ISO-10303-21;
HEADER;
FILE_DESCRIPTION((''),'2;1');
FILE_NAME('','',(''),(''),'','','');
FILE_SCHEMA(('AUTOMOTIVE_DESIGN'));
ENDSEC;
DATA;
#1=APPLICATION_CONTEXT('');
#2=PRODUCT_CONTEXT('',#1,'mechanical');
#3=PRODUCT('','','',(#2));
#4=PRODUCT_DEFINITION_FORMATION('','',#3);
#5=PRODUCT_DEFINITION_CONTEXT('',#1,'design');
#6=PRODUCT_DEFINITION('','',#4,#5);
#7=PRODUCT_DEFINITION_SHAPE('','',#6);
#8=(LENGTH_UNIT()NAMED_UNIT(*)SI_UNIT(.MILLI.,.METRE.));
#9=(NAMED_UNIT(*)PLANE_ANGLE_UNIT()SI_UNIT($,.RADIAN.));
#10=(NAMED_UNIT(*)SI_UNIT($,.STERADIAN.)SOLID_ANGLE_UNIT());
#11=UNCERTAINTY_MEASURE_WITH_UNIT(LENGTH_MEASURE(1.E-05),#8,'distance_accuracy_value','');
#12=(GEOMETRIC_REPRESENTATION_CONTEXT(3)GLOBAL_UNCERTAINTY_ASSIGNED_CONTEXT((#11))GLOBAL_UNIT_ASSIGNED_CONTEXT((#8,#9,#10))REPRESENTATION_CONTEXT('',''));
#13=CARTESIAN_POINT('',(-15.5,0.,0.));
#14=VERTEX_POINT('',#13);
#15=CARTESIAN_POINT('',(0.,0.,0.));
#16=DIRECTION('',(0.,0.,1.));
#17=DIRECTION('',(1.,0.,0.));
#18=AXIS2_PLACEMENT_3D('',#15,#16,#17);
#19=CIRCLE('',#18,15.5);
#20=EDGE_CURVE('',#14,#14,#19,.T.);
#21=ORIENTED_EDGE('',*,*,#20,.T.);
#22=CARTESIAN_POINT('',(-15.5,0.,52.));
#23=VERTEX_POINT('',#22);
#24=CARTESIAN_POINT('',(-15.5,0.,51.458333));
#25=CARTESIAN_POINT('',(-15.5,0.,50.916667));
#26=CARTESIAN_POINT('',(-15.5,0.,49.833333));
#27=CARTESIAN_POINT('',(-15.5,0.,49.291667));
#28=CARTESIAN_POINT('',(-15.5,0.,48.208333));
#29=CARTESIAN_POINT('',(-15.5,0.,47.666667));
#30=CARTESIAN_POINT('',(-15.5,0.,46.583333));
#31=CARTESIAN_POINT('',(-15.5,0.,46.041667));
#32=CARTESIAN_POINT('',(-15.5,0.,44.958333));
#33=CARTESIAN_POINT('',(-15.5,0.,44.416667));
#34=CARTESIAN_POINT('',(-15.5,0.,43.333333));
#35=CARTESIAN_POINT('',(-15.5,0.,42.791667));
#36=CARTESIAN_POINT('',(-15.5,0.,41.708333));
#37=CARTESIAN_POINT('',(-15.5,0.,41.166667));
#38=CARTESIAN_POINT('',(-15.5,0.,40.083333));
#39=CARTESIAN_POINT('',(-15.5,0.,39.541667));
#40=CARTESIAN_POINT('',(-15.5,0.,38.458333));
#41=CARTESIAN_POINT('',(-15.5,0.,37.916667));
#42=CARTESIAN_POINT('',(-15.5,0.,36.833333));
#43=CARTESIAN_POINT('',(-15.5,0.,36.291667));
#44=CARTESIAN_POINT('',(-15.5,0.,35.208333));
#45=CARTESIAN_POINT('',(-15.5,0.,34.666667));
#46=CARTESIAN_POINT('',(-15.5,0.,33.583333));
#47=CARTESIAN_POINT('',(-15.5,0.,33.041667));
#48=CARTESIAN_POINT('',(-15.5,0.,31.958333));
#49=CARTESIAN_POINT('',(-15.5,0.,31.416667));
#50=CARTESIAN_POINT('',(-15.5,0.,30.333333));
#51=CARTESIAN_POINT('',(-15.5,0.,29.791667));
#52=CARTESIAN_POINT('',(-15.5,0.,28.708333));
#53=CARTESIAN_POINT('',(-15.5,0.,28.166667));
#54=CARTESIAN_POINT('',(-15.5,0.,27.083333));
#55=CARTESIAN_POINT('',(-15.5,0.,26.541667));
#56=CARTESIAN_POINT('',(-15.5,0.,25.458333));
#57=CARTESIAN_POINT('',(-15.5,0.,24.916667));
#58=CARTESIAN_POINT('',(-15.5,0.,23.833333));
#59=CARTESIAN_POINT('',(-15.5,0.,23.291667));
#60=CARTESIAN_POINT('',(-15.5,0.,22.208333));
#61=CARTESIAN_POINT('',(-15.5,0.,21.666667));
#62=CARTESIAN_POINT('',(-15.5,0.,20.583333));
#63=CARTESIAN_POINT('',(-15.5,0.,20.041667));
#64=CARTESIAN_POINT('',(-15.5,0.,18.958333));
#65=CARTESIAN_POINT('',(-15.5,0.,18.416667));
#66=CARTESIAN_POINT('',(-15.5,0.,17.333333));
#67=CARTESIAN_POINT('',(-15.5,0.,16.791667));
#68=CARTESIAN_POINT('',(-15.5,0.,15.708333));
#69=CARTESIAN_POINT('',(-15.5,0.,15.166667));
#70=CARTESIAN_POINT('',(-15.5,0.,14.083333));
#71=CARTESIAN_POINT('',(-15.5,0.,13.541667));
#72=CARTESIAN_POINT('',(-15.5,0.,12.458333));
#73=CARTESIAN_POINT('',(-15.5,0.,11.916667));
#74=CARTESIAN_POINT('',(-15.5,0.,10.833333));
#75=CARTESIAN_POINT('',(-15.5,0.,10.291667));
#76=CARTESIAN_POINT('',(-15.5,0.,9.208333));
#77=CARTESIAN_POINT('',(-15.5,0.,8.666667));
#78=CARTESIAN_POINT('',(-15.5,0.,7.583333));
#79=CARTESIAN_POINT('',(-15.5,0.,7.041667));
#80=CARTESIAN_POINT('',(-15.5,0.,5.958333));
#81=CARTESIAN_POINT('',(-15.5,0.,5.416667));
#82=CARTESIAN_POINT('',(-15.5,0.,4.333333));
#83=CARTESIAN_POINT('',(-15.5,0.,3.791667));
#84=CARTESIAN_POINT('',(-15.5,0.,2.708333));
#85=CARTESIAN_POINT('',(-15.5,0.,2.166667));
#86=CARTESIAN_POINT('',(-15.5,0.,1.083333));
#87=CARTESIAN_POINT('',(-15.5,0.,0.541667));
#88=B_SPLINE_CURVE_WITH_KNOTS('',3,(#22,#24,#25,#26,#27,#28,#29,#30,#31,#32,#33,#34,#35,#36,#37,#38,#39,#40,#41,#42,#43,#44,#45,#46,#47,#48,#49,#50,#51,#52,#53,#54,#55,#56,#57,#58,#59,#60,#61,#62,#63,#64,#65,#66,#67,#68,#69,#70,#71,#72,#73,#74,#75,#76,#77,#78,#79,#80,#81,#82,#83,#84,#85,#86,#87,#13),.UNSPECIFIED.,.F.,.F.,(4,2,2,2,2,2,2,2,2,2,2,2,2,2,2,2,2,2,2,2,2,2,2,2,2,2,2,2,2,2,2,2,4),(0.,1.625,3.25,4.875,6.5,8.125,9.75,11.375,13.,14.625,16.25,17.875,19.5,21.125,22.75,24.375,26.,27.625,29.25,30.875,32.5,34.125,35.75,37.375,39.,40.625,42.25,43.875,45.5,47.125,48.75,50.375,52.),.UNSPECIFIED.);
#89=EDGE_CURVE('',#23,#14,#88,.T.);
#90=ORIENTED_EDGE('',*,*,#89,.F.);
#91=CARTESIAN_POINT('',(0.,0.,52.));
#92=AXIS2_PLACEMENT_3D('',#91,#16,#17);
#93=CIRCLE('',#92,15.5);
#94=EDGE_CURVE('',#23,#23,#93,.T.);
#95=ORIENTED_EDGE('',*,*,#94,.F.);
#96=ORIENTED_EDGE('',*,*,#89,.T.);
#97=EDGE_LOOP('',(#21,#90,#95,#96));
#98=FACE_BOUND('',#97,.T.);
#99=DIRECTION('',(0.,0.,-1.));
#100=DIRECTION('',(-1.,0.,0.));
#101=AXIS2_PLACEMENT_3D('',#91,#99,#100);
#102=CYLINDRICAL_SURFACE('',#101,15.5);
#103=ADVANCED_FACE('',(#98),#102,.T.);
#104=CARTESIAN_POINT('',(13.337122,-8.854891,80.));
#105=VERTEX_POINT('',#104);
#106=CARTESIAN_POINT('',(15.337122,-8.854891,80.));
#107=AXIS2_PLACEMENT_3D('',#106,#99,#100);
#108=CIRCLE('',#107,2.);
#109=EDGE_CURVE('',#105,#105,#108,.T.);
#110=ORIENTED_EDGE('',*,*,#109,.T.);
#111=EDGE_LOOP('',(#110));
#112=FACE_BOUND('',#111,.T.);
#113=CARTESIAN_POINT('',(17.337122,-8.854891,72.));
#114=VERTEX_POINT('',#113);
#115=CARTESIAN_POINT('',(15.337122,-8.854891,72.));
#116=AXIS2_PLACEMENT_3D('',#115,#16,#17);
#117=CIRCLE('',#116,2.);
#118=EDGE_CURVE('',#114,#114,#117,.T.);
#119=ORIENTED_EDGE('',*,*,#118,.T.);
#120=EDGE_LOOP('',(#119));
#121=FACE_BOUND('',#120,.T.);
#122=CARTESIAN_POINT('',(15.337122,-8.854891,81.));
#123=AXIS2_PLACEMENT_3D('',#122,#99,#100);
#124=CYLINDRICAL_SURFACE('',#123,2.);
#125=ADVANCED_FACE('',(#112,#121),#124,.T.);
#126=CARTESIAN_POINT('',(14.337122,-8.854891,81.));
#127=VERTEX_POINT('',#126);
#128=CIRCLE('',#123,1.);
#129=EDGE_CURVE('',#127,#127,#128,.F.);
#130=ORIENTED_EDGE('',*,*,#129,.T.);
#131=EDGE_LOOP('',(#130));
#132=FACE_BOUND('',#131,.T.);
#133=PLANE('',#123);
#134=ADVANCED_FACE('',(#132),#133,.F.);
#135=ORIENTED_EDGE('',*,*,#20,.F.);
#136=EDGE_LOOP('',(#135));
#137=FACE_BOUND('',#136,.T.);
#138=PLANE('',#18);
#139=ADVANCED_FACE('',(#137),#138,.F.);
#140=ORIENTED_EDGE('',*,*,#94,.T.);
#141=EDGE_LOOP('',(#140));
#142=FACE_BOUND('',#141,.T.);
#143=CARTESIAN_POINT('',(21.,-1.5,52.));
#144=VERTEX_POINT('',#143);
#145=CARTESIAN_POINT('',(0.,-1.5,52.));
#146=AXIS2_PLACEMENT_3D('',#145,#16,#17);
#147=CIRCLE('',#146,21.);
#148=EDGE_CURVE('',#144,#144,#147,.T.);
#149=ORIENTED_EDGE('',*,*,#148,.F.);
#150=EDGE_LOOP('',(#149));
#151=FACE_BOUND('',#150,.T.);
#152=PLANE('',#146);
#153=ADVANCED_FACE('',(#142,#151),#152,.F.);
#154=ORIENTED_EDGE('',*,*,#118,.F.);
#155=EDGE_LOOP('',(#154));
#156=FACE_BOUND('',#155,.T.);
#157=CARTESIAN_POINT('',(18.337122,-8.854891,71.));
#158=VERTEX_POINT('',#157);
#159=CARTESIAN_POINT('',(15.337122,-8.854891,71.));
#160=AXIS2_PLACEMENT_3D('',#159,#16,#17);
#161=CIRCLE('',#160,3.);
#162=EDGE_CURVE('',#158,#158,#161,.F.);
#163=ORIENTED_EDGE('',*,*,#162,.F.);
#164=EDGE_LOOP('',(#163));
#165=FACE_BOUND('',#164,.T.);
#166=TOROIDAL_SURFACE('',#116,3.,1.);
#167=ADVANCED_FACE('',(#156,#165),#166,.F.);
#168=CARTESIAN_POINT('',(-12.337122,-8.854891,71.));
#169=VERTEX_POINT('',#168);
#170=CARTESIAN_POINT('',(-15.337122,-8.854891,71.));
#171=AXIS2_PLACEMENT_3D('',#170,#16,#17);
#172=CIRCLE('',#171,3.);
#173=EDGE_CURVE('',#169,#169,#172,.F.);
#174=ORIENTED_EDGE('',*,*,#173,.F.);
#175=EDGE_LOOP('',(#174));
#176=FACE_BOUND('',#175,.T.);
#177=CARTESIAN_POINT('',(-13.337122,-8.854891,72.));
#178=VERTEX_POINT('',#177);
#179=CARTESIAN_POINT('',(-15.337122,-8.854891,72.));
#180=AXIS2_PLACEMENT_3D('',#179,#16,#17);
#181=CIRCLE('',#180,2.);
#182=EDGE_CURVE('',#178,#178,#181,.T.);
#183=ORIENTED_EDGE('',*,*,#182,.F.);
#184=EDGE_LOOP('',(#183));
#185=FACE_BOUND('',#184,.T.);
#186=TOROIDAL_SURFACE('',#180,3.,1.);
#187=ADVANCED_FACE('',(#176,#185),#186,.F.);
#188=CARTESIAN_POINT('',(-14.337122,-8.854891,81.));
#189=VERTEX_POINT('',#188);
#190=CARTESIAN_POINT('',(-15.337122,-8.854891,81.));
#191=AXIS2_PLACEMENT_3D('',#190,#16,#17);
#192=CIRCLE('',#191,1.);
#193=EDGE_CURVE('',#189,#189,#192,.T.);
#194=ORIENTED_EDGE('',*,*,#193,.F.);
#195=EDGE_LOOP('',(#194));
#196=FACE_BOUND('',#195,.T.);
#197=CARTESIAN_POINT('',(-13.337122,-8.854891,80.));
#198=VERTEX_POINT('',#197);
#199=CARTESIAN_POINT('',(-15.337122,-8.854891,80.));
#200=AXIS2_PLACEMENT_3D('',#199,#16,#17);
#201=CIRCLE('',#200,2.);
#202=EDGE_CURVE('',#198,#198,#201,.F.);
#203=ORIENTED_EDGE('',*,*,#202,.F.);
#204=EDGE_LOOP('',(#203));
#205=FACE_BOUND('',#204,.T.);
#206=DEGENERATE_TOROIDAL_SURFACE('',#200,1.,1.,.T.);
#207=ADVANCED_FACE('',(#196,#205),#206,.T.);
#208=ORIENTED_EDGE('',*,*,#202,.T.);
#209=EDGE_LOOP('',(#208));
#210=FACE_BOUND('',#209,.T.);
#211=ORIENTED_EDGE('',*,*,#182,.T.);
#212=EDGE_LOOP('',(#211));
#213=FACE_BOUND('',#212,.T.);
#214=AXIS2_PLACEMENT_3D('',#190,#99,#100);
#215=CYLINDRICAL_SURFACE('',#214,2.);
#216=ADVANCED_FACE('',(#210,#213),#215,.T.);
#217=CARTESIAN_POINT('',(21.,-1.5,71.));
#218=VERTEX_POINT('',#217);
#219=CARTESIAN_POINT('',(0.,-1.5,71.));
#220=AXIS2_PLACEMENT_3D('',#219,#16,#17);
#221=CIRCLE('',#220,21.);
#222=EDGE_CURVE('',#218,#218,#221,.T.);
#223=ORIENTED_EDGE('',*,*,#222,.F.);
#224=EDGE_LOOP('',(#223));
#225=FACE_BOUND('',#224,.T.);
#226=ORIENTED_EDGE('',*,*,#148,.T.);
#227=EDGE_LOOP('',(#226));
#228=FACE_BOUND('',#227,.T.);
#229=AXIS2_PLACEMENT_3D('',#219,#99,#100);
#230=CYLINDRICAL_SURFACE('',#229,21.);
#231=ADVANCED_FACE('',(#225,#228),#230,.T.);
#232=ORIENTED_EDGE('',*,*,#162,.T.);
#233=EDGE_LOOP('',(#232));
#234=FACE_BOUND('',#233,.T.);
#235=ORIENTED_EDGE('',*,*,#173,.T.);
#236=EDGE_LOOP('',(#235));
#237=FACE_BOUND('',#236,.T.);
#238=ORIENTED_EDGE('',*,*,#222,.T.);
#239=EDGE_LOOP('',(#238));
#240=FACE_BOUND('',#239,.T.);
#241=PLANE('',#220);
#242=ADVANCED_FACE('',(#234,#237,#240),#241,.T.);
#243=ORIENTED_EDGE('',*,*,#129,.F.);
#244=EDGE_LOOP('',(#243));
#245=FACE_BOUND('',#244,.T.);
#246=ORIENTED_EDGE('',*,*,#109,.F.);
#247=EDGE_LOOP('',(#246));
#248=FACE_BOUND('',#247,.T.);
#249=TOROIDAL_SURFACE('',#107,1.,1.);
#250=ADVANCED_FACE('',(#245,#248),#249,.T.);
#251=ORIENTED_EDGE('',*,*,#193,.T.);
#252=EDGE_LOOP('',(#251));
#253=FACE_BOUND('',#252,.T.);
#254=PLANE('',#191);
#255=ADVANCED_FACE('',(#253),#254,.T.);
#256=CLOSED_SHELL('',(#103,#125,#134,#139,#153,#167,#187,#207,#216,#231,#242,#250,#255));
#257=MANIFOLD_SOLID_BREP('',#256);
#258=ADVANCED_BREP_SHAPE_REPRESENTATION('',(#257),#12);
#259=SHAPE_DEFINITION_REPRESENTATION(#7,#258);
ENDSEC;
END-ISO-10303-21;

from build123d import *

# Parameters (mm, degrees)
SKETCH1_R           = 15.5
BOSS_EXTRUDE1_DEPTH = 52
SKETCH2_R           = 21
BOSS_EXTRUDE2_DEPTH = 19
SKETCH3_R           = 2
BOSS_EXTRUDE3_DEPTH = 10
FILLET1_R           = 1


with BuildPart() as part:
    # Sketch1 → Boss-Extrude1 (new body)
    with BuildSketch(Plane.XY):
        with Locations(Location((0, 0, 0), (0, 0, 180))):
            Circle(SKETCH1_R)
    extrude(amount=BOSS_EXTRUDE1_DEPTH)

    # Sketch2 → Boss-Extrude2 (add)
    with BuildSketch(Plane.XY.offset(52)):
        with Locations((0, -1.5)):
            Circle(SKETCH2_R)
    extrude(amount=BOSS_EXTRUDE2_DEPTH)

    # Sketch3 → Boss-Extrude3 (add)
    with BuildSketch(Plane.XY.offset(71)):
        with Locations((-15.337121903, -8.854891459)):
            Circle(SKETCH3_R)
        with Locations(Location((15.337121903, -8.854891459, 0), (0, 0, 180))):
            Circle(SKETCH3_R)
    extrude(amount=BOSS_EXTRUDE3_DEPTH)

    # Fillet1
    fillet1_edges = [part.edges().sort_by_distance(p)[0] for p in [
        (-17.337121903, -8.854891459, 71),
        (-17.337121903, -8.854891459, 81),
        (17.337121903, -8.854891459, 71),
        (17.337121903, -8.854891459, 81),
    ]]
    fillet(fillet1_edges, radius=FILLET1_R)


solid = part.part
